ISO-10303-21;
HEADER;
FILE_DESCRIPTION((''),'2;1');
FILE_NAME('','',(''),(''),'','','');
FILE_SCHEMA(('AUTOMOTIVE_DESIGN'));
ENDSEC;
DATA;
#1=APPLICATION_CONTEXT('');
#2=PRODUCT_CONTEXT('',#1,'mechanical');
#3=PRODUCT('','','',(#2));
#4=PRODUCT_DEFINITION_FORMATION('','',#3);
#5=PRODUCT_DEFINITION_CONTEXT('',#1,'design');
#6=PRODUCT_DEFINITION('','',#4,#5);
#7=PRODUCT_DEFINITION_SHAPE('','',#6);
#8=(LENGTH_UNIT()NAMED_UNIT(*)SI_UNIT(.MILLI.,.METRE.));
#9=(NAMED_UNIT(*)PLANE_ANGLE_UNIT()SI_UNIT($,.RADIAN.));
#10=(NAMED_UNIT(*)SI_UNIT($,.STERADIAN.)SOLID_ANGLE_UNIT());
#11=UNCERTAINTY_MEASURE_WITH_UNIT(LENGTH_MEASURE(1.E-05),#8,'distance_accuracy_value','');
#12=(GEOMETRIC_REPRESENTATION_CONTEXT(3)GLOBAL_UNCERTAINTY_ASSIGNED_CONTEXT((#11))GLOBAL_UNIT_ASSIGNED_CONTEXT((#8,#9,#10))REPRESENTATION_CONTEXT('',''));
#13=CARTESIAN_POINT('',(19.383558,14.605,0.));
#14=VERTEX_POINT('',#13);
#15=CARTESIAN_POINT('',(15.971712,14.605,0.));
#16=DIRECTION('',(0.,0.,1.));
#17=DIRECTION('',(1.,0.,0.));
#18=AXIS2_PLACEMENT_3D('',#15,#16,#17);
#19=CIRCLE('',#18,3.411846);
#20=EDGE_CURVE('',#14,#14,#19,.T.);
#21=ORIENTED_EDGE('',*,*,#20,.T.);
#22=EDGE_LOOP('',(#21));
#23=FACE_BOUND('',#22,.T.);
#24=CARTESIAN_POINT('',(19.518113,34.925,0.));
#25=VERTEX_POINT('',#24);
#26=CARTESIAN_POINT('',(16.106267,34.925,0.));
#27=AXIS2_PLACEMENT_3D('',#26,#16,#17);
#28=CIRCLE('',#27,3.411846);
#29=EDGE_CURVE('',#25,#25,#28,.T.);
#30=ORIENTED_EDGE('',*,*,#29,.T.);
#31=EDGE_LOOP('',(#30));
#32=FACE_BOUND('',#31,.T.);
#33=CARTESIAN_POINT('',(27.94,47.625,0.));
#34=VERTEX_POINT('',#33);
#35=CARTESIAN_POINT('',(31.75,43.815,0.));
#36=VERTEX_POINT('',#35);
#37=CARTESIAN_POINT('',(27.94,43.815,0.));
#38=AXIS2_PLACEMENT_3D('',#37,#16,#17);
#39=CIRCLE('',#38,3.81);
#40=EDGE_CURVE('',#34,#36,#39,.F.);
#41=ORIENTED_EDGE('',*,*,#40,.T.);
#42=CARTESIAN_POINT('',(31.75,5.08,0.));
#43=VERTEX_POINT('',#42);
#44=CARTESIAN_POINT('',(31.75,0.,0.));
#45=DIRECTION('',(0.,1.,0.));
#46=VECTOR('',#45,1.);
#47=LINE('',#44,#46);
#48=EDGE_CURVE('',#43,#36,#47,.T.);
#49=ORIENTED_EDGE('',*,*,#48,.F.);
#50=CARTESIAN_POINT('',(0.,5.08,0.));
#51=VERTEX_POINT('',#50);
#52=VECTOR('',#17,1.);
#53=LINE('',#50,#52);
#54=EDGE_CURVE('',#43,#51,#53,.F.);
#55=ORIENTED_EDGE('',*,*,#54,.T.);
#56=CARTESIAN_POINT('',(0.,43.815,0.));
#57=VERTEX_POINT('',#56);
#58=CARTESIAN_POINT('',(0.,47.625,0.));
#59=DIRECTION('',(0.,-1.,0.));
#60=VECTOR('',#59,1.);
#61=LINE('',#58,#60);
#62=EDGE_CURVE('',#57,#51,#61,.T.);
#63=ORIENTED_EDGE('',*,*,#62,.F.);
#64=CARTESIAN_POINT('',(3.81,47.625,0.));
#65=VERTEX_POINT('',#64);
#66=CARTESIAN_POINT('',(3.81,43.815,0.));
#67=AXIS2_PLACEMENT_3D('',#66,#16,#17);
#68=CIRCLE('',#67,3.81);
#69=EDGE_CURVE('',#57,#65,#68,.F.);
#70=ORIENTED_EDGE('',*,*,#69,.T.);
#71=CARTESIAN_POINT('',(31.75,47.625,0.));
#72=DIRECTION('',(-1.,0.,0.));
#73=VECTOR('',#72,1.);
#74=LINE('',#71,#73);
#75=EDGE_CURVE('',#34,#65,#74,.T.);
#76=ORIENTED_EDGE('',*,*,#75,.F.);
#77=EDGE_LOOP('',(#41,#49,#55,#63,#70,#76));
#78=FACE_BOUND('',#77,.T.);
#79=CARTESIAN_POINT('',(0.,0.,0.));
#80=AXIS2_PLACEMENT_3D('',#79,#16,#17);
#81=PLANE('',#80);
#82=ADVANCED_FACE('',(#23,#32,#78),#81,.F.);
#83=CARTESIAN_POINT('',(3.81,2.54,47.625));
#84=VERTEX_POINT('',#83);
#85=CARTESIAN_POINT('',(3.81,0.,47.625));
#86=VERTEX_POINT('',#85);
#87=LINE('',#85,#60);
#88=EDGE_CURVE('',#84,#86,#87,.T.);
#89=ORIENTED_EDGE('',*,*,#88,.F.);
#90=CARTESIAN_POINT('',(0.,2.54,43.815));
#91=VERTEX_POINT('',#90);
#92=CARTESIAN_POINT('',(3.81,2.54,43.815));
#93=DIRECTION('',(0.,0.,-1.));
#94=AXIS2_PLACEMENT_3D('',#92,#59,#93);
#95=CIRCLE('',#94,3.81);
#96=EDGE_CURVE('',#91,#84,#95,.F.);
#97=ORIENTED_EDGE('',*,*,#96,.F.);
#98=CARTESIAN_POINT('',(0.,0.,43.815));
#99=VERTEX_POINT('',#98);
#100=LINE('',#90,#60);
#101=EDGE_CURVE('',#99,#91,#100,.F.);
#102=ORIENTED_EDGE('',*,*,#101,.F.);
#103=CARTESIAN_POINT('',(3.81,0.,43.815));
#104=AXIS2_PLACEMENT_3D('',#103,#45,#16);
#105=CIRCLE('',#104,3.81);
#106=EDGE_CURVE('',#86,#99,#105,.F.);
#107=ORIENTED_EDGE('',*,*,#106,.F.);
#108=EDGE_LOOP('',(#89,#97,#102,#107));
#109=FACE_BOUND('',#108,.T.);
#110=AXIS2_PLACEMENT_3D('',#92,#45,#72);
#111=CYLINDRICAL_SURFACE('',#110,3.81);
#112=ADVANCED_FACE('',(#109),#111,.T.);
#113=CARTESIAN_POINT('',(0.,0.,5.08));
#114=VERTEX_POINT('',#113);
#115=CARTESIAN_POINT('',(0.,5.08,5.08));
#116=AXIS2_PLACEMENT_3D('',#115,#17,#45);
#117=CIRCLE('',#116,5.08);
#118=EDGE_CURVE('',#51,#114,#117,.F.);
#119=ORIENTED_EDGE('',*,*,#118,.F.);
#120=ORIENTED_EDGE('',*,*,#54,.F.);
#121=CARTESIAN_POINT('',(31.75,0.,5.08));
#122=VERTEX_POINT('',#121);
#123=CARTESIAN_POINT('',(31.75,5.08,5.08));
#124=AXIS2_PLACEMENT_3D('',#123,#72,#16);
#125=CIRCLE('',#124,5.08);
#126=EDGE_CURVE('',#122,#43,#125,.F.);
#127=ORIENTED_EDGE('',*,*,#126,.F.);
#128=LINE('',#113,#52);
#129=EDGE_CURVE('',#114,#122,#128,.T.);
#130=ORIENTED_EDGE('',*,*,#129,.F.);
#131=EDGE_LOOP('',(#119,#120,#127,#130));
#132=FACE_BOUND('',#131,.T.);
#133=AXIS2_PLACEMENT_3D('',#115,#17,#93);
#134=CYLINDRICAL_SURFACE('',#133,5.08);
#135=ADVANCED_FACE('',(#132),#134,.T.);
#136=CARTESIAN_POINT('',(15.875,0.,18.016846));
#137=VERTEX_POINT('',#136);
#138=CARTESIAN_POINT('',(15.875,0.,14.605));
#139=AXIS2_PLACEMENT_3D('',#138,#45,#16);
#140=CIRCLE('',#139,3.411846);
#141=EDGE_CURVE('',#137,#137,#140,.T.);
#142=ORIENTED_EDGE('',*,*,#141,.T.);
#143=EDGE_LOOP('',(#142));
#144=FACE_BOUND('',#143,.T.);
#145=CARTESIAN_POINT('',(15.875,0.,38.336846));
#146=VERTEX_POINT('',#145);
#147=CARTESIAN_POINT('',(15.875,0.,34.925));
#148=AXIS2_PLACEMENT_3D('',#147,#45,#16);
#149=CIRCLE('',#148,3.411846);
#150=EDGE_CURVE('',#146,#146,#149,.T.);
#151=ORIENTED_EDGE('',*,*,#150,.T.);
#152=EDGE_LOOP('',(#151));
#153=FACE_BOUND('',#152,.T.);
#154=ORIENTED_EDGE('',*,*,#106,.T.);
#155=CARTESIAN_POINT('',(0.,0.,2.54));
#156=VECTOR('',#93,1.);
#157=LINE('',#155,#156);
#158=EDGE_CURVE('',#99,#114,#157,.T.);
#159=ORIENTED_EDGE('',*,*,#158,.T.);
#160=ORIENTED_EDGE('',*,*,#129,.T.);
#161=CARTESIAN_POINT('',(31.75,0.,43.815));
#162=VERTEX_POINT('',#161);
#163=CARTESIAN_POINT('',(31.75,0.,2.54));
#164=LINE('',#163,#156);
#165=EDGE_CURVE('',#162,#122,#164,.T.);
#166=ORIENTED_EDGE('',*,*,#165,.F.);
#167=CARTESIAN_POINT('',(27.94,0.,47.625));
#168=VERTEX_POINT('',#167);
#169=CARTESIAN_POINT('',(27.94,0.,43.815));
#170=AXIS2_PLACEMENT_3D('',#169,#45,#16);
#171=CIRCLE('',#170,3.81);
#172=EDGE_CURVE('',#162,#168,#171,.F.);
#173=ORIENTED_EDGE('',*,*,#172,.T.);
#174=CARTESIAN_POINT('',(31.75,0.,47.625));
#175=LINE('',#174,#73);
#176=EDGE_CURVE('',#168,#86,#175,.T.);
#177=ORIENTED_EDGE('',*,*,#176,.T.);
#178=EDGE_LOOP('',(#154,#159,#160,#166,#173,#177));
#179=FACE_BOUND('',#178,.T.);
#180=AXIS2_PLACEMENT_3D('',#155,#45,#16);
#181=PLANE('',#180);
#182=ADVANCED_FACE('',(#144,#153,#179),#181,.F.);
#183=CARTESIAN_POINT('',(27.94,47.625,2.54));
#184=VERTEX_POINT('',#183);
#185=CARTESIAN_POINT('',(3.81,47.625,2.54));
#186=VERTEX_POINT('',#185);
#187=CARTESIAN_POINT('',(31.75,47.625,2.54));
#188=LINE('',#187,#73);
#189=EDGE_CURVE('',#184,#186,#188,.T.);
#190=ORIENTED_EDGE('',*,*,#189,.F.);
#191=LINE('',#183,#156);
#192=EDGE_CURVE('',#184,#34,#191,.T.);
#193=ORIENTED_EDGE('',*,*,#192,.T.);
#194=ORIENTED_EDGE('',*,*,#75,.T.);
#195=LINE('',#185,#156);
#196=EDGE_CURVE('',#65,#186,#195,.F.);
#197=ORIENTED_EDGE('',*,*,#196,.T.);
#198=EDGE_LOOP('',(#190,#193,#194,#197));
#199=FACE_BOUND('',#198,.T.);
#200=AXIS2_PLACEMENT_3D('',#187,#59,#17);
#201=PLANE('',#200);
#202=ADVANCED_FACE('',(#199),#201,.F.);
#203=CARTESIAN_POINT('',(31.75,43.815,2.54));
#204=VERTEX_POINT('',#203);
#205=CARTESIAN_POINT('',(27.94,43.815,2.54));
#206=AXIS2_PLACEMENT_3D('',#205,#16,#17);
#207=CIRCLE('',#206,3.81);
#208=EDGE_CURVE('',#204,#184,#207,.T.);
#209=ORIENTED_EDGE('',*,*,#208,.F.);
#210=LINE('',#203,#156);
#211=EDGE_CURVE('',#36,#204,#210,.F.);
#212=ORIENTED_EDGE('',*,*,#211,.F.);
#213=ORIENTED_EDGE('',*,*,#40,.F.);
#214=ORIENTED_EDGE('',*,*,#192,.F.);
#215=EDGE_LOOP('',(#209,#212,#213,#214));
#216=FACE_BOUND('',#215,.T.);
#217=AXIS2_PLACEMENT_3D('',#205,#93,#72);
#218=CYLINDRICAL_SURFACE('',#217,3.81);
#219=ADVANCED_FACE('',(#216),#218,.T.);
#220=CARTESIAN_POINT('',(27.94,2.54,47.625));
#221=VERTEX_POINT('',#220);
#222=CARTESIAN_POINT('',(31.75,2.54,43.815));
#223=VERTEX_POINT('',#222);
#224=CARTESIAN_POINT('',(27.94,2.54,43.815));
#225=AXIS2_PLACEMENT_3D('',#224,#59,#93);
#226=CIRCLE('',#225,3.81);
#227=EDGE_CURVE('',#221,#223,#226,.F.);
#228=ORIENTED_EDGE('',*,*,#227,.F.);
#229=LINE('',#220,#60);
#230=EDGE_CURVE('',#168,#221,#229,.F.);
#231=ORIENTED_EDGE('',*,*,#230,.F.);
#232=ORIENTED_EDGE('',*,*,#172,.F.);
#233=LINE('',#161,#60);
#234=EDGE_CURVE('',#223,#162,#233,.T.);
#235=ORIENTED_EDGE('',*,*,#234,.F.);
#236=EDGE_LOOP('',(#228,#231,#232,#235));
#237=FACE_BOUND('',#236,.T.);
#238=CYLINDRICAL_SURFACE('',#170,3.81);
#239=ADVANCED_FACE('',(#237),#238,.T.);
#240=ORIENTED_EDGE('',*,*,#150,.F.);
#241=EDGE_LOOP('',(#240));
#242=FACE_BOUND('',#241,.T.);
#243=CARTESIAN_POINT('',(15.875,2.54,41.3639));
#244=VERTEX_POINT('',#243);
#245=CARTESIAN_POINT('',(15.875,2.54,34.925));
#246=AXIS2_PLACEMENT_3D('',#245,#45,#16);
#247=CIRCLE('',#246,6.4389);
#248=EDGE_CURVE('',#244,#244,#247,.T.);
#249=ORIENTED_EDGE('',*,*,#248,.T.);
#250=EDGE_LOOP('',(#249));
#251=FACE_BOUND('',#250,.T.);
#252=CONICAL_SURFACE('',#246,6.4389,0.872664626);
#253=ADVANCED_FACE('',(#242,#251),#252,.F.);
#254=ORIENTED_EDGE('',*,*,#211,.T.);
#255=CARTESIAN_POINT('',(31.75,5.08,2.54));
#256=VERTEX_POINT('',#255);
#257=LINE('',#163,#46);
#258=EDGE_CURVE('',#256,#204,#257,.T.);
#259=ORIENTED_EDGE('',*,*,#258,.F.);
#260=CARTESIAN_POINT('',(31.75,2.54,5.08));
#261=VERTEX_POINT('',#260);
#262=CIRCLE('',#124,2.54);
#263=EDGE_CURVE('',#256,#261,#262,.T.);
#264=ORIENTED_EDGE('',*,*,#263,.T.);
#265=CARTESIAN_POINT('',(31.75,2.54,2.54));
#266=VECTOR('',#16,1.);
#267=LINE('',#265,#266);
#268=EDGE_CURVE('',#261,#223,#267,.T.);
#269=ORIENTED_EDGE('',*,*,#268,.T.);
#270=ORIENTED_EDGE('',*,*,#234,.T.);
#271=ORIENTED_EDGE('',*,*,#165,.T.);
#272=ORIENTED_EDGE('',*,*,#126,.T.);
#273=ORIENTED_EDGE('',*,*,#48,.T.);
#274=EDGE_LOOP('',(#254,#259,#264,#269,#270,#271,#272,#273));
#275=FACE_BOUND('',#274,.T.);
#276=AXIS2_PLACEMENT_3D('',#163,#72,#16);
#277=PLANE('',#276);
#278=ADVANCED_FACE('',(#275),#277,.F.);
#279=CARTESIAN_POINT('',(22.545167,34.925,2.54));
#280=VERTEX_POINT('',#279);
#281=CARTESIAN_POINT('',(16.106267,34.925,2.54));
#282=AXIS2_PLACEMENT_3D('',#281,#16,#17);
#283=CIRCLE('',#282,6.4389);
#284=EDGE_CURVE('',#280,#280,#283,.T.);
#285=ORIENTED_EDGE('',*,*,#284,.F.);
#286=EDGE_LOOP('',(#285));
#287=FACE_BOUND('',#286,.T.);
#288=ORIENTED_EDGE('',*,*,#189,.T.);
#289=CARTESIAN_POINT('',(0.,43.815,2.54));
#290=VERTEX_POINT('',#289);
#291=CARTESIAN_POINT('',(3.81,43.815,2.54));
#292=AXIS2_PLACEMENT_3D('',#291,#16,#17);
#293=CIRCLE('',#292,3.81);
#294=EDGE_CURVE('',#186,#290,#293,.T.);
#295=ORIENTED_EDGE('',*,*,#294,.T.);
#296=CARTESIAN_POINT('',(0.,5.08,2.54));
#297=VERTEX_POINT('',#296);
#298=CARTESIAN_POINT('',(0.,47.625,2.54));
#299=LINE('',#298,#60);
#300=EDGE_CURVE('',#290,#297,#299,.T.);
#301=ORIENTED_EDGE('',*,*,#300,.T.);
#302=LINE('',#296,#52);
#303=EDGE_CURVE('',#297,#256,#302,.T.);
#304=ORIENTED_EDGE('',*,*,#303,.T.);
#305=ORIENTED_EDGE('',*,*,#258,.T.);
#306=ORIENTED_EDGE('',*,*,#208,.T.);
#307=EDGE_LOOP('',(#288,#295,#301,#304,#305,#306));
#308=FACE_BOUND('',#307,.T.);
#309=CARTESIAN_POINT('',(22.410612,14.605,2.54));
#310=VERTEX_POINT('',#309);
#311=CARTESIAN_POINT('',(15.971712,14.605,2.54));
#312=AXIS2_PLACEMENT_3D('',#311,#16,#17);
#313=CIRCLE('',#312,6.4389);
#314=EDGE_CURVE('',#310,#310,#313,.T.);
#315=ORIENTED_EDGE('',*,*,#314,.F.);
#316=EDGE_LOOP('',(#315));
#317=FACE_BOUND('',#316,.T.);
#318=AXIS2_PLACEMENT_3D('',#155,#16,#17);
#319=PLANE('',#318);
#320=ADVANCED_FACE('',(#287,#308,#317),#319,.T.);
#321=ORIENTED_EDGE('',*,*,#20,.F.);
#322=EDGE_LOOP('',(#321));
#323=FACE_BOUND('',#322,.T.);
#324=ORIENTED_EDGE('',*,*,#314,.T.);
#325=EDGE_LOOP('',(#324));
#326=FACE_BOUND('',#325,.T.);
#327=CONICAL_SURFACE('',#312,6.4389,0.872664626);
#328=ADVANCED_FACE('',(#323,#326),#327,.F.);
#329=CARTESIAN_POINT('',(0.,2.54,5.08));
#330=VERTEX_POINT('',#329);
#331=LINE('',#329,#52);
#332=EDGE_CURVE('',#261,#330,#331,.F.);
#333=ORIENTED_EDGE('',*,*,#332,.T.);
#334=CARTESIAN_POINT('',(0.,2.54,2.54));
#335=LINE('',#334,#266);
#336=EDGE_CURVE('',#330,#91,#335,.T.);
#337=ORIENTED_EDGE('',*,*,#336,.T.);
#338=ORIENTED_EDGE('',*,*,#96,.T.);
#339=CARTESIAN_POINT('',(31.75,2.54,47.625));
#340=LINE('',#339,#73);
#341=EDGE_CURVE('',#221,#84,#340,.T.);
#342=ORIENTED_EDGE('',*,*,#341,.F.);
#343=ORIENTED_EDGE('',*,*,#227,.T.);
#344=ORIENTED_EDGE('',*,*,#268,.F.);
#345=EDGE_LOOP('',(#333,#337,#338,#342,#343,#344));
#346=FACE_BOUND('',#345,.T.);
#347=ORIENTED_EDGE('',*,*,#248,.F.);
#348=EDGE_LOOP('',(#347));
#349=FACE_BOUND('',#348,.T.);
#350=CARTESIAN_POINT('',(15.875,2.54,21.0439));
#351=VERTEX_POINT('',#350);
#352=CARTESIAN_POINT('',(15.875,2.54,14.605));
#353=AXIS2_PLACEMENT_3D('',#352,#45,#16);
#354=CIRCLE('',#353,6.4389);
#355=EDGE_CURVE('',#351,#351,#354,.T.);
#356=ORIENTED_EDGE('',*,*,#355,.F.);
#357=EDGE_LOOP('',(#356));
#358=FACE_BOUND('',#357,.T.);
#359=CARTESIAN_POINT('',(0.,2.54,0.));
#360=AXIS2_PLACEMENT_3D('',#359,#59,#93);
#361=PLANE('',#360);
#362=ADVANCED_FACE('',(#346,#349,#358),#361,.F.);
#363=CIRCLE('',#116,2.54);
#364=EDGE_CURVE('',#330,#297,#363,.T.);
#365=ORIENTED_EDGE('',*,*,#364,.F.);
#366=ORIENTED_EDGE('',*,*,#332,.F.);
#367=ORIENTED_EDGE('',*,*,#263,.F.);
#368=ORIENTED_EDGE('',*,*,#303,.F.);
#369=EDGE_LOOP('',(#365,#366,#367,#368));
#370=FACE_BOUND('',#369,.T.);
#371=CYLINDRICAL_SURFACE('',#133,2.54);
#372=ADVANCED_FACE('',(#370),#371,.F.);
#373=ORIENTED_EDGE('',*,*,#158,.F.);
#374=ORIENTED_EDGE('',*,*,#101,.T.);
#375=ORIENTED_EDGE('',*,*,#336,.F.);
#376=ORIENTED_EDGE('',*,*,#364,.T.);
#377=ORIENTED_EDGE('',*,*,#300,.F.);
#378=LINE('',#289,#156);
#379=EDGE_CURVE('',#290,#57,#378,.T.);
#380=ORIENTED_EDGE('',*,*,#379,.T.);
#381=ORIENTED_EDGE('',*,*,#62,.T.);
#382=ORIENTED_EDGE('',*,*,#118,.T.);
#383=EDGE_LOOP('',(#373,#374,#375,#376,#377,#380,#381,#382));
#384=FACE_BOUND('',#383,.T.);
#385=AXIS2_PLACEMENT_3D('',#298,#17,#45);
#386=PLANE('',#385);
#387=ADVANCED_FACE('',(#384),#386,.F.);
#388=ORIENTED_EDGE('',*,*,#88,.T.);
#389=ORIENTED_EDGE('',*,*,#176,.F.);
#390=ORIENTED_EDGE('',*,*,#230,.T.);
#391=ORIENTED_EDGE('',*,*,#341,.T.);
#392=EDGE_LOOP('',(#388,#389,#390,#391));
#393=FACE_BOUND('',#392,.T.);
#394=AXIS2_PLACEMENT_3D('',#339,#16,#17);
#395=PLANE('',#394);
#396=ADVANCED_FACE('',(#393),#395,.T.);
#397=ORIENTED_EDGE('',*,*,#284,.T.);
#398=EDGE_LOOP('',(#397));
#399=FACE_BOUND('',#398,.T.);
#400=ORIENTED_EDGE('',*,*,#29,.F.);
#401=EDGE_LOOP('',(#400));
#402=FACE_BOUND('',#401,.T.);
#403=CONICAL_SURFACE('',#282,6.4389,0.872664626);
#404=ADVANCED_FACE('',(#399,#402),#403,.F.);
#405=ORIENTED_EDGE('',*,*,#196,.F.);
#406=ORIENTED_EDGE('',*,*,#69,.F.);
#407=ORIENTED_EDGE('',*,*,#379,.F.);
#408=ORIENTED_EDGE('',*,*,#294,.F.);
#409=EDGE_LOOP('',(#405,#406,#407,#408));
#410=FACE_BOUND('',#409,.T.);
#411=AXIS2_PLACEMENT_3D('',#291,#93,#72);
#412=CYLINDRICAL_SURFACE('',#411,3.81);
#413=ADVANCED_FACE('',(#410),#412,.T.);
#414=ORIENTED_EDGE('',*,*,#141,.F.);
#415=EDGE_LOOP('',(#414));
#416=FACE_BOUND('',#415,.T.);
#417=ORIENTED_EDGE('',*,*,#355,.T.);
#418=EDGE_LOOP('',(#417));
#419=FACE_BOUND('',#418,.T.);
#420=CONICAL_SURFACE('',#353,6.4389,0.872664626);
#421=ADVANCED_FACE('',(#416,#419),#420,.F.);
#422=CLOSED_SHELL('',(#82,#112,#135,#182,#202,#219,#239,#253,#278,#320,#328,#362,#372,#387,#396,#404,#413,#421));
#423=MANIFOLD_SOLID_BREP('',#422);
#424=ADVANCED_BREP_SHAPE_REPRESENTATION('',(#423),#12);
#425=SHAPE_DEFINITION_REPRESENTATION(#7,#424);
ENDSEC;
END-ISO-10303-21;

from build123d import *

# Parameters (mm, degrees)
SKETCH1_W                                      = 31.75
SKETCH1_H                                      = 47.625
BOSS_EXTRUDE1_DEPTH                            = 2.54
SKETCH3_W                                      = 31.75
SKETCH3_H                                      = 45.085
BOSS_EXTRUDE2_DEPTH                            = 2.54
FILLET1_R                                      = 5.08
FILLET2_R                                      = 2.54
FILLET3_R                                      = 3.81
CSK_FOR_1_4_FLAT_HEAD_MACHINE_SCREW_2_COUNT    = 2
CSK_FOR_1_4_FLAT_HEAD_MACHINE_SCREW_2_PITCH    = 20.320445496
CSK_FOR_1_4_FLAT_HEAD_MACHINE_SCREW_3_AT_COUNT = 2
CSK_FOR_1_4_FLAT_HEAD_MACHINE_SCREW_3_AT_PITCH = 20.32


with BuildPart() as part:
    # Sketch1 → Boss-Extrude1 (new body)
    with BuildSketch(Plane.XY):
        with Locations((15.875, 23.8125)):
            Rectangle(SKETCH1_W, SKETCH1_H)
    extrude(amount=BOSS_EXTRUDE1_DEPTH)

    # Sketch3 → Boss-Extrude2 (add)
    with BuildSketch(Plane.XZ):
        with Locations((15.875, 25.0825)):
            Rectangle(SKETCH3_W, SKETCH3_H)
    extrude(amount=-BOSS_EXTRUDE2_DEPTH)

    # Fillet1
    fillet1_edges = [part.edges().sort_by_distance(p)[0] for p in [
        (15.875, 0, 0),
    ]]
    fillet(fillet1_edges, radius=FILLET1_R)

    # Fillet2
    fillet2_edges = [part.edges().sort_by_distance(p)[0] for p in [
        (15.875, 2.54, 2.54),
    ]]
    fillet(fillet2_edges, radius=FILLET2_R)

    # Fillet3
    fillet3_edges = [part.edges().sort_by_distance(p)[0] for p in [
        (0, 1.27, 47.625),
        (31.75, 1.27, 47.625),
        (0, 47.625, 1.27),
        (31.75, 47.625, 1.27),
    ]]
    fillet(fillet3_edges, radius=FILLET3_R)

    # Sketch5 → CSK for 1_4 Flat Head Machine Screw _100 (revolve, cut)
    with BuildSketch(Plane(origin=(16.106267099, 34.925, 2.54), x_dir=(0, -1, 0), z_dir=(1, 0, 0))):
        Polygon((0, 0), (0, 2.54), (3.3782, 2.54), (3.3782, 2.568232241), (6.4389, 0), align=None)
    csk_for_1_4_flat_head_machine_screw_100 = revolve(axis=Axis((16.106267099, 34.925, 8.89), (0, 0, -1)), mode=Mode.SUBTRACT)

    # CSK for 1_4 Flat Head Machine Screw  2: CSK for 1_4 Flat Head Machine Screw _100 ×2
    with Locations(*[Vector(-0.006621675847692915, -0.9999780764641634, 0) * (i * CSK_FOR_1_4_FLAT_HEAD_MACHINE_SCREW_2_PITCH) for i in range(1, CSK_FOR_1_4_FLAT_HEAD_MACHINE_SCREW_2_COUNT)]):
        add(csk_for_1_4_flat_head_machine_screw_100, mode=Mode.SUBTRACT)

    # Sketch7 → CSK for 1_4 Flat Head Machine Screw  3 (revolve, cut)
    with BuildSketch(Plane(origin=(15.875, 2.54, 34.925), x_dir=(0, 0, 1), z_dir=(1, 0, 0))):
        Polygon((0, 0), (0, 2.54), (3.3782, 2.54), (3.3782, 2.568232241), (6.4389, 0), align=None)
    csk_for_1_4_flat_head_machine_screw_3 = revolve(axis=Axis((15.875, 8.89, 34.925), (0, -1, 0)), mode=Mode.SUBTRACT)

    # CSK for 1_4 Flat Head Machine Screw 3 at: CSK for 1_4 Flat Head Machine Screw  3 ×2
    with Locations(*[(0, 0, -i * CSK_FOR_1_4_FLAT_HEAD_MACHINE_SCREW_3_AT_PITCH) for i in range(1, CSK_FOR_1_4_FLAT_HEAD_MACHINE_SCREW_3_AT_COUNT)]):
        add(csk_for_1_4_flat_head_machine_screw_3, mode=Mode.SUBTRACT)


solid = part.part
